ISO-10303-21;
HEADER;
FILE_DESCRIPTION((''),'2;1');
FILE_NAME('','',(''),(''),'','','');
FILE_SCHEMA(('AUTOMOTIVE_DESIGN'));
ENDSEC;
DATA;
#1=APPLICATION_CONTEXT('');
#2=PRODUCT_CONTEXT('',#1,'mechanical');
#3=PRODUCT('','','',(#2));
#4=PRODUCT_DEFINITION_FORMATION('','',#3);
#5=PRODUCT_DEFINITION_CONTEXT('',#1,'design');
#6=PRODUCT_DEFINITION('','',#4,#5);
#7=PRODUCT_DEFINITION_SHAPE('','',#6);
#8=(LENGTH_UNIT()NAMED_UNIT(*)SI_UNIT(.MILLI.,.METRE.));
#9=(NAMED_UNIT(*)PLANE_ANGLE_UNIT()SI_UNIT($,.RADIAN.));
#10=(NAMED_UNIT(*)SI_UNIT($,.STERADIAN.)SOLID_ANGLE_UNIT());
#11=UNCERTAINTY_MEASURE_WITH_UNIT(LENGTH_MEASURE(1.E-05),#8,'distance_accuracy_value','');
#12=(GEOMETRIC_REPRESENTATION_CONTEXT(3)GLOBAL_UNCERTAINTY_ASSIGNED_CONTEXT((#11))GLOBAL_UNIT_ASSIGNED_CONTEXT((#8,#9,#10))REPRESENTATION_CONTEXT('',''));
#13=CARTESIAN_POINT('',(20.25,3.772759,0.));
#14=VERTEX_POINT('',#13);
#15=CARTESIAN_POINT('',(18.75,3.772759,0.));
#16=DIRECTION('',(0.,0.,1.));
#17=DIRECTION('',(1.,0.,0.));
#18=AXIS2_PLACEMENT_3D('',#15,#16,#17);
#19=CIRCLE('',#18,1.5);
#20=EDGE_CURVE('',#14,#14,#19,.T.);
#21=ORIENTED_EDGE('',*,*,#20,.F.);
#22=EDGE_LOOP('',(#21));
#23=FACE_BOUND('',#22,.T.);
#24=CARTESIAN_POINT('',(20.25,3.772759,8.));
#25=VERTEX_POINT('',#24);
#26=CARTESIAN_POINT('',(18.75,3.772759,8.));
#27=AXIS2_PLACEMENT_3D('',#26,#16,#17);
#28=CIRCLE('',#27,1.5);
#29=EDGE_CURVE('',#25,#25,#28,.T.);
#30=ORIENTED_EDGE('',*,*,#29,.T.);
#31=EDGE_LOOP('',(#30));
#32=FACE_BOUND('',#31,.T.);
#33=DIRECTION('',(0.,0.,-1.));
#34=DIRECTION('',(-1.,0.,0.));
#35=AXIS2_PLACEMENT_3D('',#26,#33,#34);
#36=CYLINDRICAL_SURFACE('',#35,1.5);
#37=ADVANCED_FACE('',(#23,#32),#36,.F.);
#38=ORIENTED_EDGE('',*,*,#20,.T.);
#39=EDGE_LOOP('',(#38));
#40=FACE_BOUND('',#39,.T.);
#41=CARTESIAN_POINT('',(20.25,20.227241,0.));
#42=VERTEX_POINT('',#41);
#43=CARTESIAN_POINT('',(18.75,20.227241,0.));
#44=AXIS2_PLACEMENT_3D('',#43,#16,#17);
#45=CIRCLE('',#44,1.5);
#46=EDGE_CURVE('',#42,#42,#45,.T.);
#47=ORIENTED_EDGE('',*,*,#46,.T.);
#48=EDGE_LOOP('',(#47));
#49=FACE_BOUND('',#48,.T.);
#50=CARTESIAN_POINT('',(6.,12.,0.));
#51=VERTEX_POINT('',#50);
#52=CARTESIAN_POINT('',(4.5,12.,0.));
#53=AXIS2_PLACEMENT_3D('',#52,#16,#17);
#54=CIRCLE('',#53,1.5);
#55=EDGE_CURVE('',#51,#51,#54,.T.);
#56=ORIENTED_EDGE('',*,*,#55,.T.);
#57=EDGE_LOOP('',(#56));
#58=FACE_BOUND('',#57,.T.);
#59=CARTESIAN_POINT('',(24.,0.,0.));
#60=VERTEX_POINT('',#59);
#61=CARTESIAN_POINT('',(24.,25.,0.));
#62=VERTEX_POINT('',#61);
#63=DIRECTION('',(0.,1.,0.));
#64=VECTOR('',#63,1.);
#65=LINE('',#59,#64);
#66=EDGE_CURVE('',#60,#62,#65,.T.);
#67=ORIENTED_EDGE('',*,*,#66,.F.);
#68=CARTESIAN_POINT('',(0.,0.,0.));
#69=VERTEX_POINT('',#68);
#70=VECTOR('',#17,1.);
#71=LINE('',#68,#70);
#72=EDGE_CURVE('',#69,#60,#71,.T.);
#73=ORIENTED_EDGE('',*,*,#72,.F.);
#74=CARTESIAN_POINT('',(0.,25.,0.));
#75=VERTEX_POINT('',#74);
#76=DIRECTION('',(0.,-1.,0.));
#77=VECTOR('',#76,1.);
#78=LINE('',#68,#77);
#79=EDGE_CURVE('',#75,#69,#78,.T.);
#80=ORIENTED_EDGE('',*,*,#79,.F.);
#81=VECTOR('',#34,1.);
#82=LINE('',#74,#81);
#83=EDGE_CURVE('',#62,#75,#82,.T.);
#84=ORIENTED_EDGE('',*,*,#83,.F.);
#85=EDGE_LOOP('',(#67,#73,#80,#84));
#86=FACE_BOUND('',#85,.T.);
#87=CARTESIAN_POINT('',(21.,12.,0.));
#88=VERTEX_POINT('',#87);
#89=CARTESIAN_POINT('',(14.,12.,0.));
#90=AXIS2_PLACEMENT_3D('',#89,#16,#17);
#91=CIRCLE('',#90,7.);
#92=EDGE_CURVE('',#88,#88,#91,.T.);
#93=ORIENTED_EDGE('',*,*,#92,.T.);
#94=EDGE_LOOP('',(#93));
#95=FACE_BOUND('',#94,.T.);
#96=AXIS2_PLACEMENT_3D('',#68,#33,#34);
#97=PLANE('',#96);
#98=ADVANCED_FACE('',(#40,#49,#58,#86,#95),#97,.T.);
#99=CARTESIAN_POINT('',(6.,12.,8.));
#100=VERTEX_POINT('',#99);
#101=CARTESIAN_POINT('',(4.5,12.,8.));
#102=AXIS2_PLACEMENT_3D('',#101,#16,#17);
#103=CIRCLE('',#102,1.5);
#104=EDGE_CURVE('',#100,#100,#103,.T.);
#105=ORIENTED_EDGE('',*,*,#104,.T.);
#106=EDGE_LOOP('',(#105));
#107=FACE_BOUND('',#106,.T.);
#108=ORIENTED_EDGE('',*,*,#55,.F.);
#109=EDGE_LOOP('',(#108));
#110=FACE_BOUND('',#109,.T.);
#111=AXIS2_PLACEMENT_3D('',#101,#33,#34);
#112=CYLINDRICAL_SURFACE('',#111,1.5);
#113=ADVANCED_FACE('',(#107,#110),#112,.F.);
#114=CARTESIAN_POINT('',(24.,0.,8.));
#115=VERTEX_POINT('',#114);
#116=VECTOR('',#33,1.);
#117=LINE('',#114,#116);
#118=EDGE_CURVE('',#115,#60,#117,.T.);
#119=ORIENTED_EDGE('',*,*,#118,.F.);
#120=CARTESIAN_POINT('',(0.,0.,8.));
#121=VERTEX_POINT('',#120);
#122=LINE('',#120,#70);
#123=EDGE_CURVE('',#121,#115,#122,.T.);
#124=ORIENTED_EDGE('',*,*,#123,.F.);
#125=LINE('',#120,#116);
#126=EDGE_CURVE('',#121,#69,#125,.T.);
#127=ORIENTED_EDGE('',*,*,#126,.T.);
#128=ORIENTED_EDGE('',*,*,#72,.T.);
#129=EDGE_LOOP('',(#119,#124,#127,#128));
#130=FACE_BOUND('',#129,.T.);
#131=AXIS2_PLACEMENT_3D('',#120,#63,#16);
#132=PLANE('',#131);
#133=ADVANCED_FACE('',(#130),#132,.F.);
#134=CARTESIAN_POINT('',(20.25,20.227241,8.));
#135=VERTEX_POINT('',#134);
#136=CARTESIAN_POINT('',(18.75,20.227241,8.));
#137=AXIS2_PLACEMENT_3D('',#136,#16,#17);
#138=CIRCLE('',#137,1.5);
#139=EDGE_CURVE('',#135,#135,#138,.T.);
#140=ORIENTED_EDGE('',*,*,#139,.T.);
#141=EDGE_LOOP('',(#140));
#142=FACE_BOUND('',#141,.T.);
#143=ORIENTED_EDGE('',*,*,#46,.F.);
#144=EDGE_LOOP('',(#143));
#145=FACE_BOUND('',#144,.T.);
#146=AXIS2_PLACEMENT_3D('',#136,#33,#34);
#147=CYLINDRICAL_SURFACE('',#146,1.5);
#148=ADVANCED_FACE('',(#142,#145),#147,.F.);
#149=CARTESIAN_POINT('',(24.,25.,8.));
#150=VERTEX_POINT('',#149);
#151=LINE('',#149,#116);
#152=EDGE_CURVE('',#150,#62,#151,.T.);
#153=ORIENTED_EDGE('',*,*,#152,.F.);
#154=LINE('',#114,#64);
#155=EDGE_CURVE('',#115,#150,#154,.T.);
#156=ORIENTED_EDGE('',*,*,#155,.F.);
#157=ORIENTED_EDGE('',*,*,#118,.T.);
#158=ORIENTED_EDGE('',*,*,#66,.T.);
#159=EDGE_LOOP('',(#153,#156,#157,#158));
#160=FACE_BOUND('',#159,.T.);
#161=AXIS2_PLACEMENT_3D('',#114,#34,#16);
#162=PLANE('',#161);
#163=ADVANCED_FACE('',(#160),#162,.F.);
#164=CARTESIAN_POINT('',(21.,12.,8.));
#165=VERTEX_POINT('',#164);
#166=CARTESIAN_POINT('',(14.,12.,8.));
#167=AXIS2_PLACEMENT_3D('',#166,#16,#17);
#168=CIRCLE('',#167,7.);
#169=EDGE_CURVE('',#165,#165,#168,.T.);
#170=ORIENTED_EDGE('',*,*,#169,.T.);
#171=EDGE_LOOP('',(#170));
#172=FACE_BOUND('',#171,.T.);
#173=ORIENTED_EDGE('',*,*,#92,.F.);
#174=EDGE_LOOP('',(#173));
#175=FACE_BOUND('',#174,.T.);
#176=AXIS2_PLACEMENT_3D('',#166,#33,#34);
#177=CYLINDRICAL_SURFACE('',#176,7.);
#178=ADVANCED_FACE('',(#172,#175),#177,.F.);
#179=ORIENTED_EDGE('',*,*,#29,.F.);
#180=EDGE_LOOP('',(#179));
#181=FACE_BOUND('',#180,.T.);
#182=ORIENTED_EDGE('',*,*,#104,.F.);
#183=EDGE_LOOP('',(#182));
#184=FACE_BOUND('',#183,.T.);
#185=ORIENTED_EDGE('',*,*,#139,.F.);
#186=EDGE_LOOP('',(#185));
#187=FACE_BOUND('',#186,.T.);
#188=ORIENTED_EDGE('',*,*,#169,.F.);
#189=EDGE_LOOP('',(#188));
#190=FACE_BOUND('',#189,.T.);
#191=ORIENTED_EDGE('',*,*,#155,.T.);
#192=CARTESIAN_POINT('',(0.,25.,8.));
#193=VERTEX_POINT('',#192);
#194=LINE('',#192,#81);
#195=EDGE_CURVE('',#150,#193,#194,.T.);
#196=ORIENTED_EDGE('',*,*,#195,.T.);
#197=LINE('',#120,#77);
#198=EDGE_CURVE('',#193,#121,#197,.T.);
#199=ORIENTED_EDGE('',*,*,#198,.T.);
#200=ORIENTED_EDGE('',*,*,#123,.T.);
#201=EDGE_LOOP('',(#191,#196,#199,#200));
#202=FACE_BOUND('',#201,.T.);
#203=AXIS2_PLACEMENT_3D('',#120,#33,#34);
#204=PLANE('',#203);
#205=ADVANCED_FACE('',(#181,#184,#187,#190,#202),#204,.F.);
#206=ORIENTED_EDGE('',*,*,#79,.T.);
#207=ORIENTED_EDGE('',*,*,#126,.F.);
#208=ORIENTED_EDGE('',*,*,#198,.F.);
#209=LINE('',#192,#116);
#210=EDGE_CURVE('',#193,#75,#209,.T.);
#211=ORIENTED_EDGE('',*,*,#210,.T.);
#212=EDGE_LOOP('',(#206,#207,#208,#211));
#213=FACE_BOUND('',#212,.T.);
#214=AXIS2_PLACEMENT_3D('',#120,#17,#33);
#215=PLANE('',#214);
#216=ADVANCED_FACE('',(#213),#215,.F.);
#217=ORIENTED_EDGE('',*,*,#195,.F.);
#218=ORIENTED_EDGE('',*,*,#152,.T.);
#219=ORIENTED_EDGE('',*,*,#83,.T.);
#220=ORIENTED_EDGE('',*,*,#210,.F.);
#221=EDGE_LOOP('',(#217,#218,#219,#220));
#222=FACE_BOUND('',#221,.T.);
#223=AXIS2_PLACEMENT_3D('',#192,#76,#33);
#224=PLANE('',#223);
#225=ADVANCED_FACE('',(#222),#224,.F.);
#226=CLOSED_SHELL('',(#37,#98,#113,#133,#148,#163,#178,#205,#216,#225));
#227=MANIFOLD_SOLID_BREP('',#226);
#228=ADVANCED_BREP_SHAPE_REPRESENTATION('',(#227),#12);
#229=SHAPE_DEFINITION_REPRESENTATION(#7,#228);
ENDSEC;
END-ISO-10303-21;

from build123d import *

# Parameters (mm, degrees)
ESQUISSE1_W        = 24
ESQUISSE1_H        = 25
ESQUISSE1_R        = 7
ESQUISSE1_R_2      = 1.5
BOSS_EXTRU_1_DEPTH = 8


with BuildPart() as part:
    # Esquisse1 → Boss.-Extru.1 (new body)
    with BuildSketch(Plane.XY):
        with Locations((12, 12.5)):
            Rectangle(ESQUISSE1_W, ESQUISSE1_H)
        with Locations((14, 12)):
            Circle(ESQUISSE1_R, mode=Mode.SUBTRACT)
        with Locations((4.5, 12)):
            Circle(ESQUISSE1_R_2, mode=Mode.SUBTRACT)
        with Locations((18.75, 20.227241336)):
            Circle(ESQUISSE1_R_2, mode=Mode.SUBTRACT)
        with Locations((18.75, 3.772758664)):
            Circle(ESQUISSE1_R_2, mode=Mode.SUBTRACT)
    extrude(amount=BOSS_EXTRU_1_DEPTH)


solid = part.part
